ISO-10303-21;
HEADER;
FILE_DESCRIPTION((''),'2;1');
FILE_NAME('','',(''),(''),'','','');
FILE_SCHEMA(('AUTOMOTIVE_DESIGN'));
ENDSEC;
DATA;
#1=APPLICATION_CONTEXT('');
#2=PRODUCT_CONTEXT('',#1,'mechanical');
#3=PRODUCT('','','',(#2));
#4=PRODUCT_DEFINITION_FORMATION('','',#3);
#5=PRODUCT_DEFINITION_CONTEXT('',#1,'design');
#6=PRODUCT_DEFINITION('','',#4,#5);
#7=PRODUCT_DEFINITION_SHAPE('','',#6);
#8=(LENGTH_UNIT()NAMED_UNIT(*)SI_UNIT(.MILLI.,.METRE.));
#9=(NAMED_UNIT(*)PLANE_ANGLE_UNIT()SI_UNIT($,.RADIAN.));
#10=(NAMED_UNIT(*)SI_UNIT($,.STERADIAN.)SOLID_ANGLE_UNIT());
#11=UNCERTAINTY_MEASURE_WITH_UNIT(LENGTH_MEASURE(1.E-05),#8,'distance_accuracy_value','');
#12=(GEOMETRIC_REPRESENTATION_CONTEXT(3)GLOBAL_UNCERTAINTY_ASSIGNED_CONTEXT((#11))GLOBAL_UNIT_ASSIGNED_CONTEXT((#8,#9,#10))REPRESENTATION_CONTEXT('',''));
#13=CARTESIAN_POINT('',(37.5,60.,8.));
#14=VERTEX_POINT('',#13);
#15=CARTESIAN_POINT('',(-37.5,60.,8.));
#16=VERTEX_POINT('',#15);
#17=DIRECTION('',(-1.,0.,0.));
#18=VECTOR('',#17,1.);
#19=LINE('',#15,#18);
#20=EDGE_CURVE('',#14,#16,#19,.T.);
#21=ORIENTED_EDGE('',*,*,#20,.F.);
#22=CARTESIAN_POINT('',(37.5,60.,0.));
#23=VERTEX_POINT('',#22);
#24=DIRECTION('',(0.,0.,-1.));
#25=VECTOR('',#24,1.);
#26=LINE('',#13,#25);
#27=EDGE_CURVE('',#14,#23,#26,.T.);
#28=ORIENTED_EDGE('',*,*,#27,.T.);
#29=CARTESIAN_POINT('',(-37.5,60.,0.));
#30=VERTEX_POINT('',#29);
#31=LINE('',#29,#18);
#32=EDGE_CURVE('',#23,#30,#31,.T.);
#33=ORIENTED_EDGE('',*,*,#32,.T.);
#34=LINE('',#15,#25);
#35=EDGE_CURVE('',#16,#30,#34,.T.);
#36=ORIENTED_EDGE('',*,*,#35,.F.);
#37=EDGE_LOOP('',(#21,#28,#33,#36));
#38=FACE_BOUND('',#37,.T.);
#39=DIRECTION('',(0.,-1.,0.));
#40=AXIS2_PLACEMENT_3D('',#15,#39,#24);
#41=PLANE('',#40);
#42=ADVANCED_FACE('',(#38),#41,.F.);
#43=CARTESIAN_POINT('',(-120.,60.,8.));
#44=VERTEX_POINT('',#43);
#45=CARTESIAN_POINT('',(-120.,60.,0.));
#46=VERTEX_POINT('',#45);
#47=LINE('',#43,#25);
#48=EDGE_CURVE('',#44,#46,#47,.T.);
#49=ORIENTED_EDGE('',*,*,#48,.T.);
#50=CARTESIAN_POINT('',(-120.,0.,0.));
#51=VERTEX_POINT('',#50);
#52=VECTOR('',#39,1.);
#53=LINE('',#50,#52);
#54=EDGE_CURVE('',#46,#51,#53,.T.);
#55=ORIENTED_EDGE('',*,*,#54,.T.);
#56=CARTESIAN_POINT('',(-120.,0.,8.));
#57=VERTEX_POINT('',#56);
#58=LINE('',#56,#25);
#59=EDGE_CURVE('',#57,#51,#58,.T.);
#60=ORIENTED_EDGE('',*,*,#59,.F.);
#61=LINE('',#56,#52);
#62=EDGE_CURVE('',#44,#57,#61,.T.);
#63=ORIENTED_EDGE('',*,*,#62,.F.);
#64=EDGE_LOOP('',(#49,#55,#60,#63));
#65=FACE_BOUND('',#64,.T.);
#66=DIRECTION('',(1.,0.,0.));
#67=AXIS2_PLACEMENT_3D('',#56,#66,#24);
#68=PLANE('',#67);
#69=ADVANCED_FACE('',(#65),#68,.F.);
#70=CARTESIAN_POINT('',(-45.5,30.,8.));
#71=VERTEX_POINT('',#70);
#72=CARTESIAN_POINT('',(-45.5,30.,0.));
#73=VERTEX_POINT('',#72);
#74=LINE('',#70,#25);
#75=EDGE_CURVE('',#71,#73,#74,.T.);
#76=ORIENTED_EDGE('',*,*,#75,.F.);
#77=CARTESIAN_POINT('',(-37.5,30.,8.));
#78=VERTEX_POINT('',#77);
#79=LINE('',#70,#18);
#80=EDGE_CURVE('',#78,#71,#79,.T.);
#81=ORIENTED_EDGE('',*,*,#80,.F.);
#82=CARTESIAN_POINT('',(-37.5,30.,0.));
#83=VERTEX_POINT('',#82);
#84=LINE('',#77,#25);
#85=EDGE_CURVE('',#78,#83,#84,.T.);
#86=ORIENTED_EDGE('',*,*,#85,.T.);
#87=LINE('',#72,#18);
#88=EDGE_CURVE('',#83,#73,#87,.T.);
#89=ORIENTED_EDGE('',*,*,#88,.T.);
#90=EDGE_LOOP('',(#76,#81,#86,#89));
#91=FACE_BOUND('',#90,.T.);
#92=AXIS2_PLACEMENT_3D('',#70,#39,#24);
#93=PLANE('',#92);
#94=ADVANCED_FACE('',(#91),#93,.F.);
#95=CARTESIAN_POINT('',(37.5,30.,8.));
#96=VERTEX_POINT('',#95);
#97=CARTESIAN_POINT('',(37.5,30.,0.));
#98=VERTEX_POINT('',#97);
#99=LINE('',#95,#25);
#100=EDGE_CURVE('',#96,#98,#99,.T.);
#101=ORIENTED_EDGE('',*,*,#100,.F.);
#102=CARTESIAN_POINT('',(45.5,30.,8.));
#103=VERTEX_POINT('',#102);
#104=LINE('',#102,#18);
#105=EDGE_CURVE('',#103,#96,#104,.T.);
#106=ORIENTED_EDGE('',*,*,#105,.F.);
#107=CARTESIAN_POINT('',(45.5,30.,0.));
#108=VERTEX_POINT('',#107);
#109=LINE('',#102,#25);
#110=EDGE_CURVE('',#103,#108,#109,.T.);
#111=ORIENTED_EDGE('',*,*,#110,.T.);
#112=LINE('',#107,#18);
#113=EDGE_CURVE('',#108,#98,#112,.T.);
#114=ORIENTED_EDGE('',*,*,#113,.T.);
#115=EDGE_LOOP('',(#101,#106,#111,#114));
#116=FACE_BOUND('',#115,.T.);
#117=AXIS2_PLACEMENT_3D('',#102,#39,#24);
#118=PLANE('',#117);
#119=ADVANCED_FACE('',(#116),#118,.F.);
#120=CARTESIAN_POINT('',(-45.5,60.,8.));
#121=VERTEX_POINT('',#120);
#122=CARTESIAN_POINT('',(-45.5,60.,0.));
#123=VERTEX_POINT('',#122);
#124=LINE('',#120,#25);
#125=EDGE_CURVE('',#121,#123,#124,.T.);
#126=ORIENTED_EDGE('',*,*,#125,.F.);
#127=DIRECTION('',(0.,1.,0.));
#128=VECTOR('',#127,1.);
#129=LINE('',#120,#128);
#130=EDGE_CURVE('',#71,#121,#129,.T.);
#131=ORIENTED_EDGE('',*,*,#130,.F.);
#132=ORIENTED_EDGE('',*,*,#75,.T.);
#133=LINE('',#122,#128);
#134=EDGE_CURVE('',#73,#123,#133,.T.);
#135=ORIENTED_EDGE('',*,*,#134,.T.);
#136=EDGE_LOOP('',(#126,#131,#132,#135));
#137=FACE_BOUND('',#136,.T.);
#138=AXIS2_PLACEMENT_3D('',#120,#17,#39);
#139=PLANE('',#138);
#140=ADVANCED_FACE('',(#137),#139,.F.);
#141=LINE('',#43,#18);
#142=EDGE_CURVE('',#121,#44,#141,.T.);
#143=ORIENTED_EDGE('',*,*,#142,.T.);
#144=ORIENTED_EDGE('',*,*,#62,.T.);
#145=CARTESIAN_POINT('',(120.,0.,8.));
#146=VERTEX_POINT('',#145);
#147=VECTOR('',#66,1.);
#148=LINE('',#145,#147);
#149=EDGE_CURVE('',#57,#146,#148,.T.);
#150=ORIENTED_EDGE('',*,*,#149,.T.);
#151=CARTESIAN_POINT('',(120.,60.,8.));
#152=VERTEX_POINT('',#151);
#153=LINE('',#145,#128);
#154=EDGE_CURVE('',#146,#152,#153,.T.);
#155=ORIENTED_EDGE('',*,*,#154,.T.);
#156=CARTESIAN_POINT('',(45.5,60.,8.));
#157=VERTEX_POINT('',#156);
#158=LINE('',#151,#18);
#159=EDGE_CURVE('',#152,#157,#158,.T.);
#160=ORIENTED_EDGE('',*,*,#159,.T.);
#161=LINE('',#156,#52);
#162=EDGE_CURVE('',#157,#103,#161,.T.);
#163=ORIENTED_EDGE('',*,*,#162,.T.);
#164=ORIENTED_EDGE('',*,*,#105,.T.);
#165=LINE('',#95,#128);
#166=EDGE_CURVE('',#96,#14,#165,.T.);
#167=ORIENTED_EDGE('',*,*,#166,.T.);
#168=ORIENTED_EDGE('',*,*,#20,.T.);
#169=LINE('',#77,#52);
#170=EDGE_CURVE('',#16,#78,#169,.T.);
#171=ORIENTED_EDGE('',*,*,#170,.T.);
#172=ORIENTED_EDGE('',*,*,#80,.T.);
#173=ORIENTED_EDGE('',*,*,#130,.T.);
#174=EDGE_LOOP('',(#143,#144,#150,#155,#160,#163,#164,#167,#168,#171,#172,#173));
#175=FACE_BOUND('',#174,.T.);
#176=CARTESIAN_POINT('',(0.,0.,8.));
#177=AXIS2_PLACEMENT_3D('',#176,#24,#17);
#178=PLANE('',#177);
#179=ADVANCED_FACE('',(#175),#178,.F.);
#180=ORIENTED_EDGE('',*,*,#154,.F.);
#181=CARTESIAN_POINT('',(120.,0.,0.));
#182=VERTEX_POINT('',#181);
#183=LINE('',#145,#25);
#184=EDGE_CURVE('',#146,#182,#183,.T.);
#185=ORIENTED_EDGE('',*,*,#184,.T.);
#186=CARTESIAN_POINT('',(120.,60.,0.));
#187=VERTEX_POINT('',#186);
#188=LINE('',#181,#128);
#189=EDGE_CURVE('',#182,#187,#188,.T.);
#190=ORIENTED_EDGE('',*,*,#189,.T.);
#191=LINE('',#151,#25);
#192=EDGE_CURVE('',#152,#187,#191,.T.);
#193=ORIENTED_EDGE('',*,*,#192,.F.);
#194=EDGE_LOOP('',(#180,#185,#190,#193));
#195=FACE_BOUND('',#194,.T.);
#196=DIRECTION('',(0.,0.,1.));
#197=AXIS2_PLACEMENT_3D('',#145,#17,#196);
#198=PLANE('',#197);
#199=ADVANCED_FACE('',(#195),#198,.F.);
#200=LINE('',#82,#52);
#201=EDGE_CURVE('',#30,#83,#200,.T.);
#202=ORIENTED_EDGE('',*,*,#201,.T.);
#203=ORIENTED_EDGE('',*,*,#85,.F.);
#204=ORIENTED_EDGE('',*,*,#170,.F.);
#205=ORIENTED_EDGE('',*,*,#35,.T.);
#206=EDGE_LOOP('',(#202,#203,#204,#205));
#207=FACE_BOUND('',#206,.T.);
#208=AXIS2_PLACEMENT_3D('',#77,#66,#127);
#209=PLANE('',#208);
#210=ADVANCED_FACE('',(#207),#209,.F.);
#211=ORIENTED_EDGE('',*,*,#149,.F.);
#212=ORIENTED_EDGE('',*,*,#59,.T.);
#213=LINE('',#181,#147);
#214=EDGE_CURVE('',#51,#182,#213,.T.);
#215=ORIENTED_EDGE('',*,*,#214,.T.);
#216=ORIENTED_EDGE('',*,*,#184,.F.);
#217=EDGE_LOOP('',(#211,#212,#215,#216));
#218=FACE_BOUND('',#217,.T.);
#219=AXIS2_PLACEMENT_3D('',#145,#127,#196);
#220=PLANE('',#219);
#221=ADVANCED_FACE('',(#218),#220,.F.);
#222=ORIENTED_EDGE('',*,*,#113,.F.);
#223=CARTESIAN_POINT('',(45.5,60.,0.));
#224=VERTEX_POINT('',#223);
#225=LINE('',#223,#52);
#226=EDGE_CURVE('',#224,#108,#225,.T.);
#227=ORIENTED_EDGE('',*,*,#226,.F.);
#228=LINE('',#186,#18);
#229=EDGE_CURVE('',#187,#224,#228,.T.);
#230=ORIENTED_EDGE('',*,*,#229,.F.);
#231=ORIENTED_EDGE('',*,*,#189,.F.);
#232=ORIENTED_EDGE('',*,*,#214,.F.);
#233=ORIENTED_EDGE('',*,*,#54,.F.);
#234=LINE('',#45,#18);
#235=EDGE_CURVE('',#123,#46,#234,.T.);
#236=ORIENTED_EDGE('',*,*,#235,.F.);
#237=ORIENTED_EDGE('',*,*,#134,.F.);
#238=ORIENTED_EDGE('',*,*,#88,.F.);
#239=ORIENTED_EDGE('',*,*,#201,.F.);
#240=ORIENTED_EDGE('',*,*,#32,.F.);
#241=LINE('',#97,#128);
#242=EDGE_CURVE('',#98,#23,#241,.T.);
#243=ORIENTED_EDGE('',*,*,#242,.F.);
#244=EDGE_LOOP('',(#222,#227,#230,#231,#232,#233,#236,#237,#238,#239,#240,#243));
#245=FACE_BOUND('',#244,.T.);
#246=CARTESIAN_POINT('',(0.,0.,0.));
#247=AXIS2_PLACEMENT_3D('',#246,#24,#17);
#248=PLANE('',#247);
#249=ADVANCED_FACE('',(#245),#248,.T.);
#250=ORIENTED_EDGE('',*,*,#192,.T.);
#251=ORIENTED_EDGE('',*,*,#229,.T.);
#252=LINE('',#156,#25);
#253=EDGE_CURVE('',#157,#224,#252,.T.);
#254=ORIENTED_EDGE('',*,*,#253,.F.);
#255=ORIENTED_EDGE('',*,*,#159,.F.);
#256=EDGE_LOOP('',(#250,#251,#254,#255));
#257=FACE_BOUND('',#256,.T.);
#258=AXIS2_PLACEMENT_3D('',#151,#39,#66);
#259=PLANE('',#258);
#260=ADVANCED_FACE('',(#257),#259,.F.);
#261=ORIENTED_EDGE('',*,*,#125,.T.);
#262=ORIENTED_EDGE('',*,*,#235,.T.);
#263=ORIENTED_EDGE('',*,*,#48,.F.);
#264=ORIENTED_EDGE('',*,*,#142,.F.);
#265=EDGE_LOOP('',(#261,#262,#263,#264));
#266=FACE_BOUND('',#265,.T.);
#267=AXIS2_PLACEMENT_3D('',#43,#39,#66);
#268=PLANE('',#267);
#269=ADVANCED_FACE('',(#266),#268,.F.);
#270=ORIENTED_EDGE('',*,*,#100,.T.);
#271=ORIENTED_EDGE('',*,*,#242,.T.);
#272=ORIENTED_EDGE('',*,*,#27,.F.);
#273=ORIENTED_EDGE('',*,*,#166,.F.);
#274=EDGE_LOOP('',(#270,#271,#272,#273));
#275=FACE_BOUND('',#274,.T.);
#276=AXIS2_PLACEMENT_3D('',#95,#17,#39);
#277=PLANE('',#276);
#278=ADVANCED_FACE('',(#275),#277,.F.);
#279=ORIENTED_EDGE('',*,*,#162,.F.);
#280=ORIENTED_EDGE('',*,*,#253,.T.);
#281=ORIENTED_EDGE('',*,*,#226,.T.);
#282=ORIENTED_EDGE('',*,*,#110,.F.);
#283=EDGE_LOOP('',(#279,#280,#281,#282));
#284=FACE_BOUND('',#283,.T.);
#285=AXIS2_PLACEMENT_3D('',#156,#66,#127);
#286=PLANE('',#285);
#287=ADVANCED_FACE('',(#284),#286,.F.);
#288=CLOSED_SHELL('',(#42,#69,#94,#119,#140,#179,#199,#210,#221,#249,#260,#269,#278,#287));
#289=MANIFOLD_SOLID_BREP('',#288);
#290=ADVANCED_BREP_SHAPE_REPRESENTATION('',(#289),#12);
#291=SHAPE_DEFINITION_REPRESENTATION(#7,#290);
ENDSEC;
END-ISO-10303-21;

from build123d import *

# Parameters (mm, degrees)
BOSS_EXTRU_1_DEPTH = 8


with BuildPart() as part:
    # Esquisse1 → Boss.-Extru.1 (new body)
    with BuildSketch(Plane.XY):
        Polygon((120, 0), (-120, 0), (-120, 60), (-45.5, 60), (-45.5, 30), (-37.5, 30), (-37.5, 60), (37.5, 60), (37.5, 30), (45.5, 30), (45.5, 60), (120, 60), align=None)
    extrude(amount=BOSS_EXTRU_1_DEPTH)


solid = part.part
